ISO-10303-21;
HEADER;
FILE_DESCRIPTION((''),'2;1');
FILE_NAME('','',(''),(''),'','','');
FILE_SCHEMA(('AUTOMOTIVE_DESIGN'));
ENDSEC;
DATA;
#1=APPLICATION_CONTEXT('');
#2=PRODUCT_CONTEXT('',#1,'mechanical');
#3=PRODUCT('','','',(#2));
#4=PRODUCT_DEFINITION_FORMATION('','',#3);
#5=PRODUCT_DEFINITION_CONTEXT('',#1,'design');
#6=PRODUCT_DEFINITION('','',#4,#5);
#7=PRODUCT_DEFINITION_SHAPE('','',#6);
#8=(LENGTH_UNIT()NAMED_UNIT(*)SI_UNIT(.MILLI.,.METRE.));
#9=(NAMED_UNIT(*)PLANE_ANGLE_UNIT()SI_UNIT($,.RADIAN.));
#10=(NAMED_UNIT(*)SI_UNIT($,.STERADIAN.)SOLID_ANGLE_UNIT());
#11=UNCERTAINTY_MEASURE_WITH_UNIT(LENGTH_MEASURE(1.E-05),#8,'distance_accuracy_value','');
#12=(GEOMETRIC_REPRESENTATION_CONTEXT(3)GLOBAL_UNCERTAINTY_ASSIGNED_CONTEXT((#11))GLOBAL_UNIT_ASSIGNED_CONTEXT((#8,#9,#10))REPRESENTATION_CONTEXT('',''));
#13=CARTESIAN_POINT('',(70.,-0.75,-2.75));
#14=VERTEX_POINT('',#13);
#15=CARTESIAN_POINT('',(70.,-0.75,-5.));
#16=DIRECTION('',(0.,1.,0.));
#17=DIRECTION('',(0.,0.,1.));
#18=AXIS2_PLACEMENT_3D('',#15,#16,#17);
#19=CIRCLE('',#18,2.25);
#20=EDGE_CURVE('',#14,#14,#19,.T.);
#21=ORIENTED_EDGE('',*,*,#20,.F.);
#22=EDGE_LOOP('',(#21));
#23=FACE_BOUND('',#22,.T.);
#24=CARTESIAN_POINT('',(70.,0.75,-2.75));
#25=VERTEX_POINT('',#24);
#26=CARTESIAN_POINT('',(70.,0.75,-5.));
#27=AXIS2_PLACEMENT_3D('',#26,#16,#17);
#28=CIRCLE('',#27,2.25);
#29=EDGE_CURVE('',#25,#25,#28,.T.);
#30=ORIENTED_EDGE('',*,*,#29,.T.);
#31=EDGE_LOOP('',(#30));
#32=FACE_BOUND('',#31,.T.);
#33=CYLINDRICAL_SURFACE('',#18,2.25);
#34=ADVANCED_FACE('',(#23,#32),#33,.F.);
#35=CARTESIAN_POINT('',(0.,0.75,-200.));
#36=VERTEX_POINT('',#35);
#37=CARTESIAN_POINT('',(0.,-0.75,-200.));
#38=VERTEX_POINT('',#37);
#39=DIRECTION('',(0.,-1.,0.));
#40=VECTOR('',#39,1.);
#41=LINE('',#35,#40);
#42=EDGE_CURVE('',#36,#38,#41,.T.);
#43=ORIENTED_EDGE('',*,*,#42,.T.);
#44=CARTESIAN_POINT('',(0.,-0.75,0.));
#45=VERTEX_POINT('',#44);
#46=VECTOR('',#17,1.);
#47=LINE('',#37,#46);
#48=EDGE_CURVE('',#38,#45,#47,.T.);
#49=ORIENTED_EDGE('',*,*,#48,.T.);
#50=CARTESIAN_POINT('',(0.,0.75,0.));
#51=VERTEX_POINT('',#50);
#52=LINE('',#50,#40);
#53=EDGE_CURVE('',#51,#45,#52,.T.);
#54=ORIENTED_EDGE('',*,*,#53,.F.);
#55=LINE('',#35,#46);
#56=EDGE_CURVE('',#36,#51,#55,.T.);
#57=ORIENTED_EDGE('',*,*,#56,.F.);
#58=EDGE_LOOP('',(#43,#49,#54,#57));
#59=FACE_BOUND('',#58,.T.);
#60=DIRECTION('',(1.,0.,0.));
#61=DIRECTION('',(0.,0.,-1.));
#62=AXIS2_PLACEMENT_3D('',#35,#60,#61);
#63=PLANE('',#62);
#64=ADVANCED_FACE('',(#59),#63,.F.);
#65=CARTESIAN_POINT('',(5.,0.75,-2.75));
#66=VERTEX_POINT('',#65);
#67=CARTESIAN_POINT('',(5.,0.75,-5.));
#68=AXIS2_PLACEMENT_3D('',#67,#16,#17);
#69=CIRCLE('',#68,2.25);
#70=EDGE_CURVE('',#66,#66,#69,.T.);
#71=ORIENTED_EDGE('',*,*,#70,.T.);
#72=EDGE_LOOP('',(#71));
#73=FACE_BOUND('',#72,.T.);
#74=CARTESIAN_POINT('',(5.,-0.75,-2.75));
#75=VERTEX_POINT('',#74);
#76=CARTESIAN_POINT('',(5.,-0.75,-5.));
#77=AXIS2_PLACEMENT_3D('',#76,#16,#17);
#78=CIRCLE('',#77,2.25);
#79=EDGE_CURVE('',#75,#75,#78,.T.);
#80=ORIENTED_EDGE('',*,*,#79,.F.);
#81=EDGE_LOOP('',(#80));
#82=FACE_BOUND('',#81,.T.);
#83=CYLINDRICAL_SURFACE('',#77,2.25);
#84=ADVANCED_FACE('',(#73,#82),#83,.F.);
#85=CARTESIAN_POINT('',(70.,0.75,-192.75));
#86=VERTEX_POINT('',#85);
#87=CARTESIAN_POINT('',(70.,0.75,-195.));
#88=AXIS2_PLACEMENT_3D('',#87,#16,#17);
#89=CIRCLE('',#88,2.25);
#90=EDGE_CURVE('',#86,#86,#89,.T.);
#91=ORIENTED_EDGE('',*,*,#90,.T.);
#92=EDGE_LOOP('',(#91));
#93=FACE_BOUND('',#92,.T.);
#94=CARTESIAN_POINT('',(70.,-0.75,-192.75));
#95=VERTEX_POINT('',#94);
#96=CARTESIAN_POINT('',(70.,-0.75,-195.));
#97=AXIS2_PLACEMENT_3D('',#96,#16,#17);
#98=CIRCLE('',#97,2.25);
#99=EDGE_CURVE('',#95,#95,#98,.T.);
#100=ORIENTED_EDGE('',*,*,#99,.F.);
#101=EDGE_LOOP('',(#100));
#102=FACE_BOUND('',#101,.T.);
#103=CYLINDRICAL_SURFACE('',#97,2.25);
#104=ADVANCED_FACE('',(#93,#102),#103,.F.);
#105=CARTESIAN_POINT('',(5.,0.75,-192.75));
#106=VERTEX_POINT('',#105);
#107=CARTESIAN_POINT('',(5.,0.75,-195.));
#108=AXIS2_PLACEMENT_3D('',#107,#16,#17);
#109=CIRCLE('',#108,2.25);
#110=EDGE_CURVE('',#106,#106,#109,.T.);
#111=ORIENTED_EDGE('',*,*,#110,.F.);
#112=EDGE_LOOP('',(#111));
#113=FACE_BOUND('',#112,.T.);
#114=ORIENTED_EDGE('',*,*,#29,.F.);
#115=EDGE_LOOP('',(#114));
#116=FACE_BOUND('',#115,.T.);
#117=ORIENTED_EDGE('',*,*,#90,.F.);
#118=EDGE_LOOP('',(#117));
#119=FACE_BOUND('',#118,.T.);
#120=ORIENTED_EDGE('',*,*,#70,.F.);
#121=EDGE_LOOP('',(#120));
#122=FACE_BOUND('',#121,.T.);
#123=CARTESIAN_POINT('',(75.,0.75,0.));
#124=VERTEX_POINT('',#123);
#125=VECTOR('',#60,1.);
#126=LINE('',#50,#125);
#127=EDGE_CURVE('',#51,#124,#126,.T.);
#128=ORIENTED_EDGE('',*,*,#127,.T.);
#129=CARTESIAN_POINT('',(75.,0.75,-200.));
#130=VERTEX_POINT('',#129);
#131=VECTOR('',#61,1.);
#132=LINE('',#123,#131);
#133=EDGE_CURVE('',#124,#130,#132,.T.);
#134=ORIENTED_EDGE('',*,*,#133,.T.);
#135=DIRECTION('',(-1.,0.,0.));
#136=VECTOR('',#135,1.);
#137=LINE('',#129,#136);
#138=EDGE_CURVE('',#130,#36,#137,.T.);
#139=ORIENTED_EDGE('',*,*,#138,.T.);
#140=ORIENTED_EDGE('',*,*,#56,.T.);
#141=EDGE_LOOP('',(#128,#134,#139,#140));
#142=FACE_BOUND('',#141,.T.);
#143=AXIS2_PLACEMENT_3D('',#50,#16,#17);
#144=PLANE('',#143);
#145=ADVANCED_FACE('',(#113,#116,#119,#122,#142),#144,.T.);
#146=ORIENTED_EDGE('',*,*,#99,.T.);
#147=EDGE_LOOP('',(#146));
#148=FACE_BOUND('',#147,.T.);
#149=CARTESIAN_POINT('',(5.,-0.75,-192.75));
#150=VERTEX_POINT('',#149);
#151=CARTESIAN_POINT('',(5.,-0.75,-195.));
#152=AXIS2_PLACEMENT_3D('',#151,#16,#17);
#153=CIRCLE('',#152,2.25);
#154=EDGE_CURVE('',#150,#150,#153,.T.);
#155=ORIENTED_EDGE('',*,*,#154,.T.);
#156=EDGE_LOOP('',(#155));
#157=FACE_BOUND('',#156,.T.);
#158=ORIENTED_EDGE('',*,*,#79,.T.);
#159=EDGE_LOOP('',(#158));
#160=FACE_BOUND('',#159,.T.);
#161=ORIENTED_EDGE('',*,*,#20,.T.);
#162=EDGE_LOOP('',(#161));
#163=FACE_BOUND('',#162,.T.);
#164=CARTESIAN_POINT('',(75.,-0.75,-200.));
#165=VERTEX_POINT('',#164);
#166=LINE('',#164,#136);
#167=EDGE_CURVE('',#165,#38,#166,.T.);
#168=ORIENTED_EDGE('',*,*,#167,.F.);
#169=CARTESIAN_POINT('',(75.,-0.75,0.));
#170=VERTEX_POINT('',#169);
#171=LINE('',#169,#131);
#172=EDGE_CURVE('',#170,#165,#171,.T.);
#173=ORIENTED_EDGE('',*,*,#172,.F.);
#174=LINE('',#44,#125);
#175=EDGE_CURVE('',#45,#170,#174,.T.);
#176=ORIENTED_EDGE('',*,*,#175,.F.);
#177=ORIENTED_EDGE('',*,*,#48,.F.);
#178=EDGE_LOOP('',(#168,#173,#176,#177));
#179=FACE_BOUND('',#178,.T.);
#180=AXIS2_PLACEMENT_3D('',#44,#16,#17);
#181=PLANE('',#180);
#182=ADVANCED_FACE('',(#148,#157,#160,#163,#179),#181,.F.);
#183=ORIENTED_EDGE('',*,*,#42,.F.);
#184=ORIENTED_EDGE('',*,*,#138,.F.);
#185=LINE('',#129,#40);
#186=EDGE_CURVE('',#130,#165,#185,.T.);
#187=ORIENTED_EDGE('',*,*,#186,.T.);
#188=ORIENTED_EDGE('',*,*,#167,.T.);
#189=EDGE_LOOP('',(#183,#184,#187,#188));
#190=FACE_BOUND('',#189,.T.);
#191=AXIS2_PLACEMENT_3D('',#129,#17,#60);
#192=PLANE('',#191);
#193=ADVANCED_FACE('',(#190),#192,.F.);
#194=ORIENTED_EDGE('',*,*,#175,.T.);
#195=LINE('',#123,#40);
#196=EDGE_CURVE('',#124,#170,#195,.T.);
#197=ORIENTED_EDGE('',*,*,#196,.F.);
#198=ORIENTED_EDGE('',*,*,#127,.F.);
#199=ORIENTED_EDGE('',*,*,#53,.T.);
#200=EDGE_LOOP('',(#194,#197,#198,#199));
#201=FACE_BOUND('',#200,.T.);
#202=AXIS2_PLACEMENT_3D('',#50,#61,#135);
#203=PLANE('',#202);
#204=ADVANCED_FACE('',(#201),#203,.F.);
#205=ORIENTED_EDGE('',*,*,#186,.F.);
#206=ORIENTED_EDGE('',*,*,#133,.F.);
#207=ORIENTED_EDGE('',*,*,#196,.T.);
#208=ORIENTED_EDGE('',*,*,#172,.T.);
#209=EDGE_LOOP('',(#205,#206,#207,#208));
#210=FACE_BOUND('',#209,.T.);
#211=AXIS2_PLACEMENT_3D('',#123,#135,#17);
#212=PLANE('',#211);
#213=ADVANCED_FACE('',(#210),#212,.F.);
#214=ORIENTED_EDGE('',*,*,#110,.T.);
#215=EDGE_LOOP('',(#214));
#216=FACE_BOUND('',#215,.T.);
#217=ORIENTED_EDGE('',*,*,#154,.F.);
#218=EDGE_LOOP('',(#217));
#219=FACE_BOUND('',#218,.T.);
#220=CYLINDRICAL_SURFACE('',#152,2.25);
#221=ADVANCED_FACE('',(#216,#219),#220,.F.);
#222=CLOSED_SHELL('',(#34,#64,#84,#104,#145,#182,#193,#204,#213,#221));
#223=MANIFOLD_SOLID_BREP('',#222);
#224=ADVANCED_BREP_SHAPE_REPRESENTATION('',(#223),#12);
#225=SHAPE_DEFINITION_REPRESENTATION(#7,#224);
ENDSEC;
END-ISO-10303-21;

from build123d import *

# Parameters (mm, degrees)
SKETCH1_W               = 75
SKETCH1_H               = 200
BOSS_EXTRUDE1_DEPTH     = 0.75
CUT_EXTRUDE1_DEPTH      = 214.60536042
CUT_EXTRUDE1_DEPTH_BACK = 214.60536042
SKETCH2_R               = 2.25


with BuildPart() as part:
    # Sketch1 → Boss-Extrude1 (new, symmetric)
    with BuildSketch(Plane(origin=(0, 0, 0), x_dir=(1, 0, 0), z_dir=(0, 1, 0))):
        with Locations((37.5, 100)):
            Rectangle(SKETCH1_W, SKETCH1_H)
    extrude(amount=BOSS_EXTRUDE1_DEPTH, both=True)

    # Sketch2 → Cut-Extrude1 (cut, two sides: drawn at the far end of the back side and taken through both)
    with BuildSketch(Plane(origin=(0, 0.75, 0), x_dir=(1, 0, 0), z_dir=(0, 1, 0)).offset(-CUT_EXTRUDE1_DEPTH_BACK)):
        with Locations(Location((5, 195, 0), (0, 0, 270))):
            Circle(SKETCH2_R)
        with Locations(Location((70, 195, 0), (0, 0, 270))):
            Circle(SKETCH2_R)
        with Locations(Location((5, 5, 0), (0, 0, 270))):
            Circle(SKETCH2_R)
        with Locations(Location((70, 5, 0), (0, 0, 270))):
            Circle(SKETCH2_R)
    extrude(amount=CUT_EXTRUDE1_DEPTH + CUT_EXTRUDE1_DEPTH_BACK, mode=Mode.SUBTRACT)


solid = part.part
